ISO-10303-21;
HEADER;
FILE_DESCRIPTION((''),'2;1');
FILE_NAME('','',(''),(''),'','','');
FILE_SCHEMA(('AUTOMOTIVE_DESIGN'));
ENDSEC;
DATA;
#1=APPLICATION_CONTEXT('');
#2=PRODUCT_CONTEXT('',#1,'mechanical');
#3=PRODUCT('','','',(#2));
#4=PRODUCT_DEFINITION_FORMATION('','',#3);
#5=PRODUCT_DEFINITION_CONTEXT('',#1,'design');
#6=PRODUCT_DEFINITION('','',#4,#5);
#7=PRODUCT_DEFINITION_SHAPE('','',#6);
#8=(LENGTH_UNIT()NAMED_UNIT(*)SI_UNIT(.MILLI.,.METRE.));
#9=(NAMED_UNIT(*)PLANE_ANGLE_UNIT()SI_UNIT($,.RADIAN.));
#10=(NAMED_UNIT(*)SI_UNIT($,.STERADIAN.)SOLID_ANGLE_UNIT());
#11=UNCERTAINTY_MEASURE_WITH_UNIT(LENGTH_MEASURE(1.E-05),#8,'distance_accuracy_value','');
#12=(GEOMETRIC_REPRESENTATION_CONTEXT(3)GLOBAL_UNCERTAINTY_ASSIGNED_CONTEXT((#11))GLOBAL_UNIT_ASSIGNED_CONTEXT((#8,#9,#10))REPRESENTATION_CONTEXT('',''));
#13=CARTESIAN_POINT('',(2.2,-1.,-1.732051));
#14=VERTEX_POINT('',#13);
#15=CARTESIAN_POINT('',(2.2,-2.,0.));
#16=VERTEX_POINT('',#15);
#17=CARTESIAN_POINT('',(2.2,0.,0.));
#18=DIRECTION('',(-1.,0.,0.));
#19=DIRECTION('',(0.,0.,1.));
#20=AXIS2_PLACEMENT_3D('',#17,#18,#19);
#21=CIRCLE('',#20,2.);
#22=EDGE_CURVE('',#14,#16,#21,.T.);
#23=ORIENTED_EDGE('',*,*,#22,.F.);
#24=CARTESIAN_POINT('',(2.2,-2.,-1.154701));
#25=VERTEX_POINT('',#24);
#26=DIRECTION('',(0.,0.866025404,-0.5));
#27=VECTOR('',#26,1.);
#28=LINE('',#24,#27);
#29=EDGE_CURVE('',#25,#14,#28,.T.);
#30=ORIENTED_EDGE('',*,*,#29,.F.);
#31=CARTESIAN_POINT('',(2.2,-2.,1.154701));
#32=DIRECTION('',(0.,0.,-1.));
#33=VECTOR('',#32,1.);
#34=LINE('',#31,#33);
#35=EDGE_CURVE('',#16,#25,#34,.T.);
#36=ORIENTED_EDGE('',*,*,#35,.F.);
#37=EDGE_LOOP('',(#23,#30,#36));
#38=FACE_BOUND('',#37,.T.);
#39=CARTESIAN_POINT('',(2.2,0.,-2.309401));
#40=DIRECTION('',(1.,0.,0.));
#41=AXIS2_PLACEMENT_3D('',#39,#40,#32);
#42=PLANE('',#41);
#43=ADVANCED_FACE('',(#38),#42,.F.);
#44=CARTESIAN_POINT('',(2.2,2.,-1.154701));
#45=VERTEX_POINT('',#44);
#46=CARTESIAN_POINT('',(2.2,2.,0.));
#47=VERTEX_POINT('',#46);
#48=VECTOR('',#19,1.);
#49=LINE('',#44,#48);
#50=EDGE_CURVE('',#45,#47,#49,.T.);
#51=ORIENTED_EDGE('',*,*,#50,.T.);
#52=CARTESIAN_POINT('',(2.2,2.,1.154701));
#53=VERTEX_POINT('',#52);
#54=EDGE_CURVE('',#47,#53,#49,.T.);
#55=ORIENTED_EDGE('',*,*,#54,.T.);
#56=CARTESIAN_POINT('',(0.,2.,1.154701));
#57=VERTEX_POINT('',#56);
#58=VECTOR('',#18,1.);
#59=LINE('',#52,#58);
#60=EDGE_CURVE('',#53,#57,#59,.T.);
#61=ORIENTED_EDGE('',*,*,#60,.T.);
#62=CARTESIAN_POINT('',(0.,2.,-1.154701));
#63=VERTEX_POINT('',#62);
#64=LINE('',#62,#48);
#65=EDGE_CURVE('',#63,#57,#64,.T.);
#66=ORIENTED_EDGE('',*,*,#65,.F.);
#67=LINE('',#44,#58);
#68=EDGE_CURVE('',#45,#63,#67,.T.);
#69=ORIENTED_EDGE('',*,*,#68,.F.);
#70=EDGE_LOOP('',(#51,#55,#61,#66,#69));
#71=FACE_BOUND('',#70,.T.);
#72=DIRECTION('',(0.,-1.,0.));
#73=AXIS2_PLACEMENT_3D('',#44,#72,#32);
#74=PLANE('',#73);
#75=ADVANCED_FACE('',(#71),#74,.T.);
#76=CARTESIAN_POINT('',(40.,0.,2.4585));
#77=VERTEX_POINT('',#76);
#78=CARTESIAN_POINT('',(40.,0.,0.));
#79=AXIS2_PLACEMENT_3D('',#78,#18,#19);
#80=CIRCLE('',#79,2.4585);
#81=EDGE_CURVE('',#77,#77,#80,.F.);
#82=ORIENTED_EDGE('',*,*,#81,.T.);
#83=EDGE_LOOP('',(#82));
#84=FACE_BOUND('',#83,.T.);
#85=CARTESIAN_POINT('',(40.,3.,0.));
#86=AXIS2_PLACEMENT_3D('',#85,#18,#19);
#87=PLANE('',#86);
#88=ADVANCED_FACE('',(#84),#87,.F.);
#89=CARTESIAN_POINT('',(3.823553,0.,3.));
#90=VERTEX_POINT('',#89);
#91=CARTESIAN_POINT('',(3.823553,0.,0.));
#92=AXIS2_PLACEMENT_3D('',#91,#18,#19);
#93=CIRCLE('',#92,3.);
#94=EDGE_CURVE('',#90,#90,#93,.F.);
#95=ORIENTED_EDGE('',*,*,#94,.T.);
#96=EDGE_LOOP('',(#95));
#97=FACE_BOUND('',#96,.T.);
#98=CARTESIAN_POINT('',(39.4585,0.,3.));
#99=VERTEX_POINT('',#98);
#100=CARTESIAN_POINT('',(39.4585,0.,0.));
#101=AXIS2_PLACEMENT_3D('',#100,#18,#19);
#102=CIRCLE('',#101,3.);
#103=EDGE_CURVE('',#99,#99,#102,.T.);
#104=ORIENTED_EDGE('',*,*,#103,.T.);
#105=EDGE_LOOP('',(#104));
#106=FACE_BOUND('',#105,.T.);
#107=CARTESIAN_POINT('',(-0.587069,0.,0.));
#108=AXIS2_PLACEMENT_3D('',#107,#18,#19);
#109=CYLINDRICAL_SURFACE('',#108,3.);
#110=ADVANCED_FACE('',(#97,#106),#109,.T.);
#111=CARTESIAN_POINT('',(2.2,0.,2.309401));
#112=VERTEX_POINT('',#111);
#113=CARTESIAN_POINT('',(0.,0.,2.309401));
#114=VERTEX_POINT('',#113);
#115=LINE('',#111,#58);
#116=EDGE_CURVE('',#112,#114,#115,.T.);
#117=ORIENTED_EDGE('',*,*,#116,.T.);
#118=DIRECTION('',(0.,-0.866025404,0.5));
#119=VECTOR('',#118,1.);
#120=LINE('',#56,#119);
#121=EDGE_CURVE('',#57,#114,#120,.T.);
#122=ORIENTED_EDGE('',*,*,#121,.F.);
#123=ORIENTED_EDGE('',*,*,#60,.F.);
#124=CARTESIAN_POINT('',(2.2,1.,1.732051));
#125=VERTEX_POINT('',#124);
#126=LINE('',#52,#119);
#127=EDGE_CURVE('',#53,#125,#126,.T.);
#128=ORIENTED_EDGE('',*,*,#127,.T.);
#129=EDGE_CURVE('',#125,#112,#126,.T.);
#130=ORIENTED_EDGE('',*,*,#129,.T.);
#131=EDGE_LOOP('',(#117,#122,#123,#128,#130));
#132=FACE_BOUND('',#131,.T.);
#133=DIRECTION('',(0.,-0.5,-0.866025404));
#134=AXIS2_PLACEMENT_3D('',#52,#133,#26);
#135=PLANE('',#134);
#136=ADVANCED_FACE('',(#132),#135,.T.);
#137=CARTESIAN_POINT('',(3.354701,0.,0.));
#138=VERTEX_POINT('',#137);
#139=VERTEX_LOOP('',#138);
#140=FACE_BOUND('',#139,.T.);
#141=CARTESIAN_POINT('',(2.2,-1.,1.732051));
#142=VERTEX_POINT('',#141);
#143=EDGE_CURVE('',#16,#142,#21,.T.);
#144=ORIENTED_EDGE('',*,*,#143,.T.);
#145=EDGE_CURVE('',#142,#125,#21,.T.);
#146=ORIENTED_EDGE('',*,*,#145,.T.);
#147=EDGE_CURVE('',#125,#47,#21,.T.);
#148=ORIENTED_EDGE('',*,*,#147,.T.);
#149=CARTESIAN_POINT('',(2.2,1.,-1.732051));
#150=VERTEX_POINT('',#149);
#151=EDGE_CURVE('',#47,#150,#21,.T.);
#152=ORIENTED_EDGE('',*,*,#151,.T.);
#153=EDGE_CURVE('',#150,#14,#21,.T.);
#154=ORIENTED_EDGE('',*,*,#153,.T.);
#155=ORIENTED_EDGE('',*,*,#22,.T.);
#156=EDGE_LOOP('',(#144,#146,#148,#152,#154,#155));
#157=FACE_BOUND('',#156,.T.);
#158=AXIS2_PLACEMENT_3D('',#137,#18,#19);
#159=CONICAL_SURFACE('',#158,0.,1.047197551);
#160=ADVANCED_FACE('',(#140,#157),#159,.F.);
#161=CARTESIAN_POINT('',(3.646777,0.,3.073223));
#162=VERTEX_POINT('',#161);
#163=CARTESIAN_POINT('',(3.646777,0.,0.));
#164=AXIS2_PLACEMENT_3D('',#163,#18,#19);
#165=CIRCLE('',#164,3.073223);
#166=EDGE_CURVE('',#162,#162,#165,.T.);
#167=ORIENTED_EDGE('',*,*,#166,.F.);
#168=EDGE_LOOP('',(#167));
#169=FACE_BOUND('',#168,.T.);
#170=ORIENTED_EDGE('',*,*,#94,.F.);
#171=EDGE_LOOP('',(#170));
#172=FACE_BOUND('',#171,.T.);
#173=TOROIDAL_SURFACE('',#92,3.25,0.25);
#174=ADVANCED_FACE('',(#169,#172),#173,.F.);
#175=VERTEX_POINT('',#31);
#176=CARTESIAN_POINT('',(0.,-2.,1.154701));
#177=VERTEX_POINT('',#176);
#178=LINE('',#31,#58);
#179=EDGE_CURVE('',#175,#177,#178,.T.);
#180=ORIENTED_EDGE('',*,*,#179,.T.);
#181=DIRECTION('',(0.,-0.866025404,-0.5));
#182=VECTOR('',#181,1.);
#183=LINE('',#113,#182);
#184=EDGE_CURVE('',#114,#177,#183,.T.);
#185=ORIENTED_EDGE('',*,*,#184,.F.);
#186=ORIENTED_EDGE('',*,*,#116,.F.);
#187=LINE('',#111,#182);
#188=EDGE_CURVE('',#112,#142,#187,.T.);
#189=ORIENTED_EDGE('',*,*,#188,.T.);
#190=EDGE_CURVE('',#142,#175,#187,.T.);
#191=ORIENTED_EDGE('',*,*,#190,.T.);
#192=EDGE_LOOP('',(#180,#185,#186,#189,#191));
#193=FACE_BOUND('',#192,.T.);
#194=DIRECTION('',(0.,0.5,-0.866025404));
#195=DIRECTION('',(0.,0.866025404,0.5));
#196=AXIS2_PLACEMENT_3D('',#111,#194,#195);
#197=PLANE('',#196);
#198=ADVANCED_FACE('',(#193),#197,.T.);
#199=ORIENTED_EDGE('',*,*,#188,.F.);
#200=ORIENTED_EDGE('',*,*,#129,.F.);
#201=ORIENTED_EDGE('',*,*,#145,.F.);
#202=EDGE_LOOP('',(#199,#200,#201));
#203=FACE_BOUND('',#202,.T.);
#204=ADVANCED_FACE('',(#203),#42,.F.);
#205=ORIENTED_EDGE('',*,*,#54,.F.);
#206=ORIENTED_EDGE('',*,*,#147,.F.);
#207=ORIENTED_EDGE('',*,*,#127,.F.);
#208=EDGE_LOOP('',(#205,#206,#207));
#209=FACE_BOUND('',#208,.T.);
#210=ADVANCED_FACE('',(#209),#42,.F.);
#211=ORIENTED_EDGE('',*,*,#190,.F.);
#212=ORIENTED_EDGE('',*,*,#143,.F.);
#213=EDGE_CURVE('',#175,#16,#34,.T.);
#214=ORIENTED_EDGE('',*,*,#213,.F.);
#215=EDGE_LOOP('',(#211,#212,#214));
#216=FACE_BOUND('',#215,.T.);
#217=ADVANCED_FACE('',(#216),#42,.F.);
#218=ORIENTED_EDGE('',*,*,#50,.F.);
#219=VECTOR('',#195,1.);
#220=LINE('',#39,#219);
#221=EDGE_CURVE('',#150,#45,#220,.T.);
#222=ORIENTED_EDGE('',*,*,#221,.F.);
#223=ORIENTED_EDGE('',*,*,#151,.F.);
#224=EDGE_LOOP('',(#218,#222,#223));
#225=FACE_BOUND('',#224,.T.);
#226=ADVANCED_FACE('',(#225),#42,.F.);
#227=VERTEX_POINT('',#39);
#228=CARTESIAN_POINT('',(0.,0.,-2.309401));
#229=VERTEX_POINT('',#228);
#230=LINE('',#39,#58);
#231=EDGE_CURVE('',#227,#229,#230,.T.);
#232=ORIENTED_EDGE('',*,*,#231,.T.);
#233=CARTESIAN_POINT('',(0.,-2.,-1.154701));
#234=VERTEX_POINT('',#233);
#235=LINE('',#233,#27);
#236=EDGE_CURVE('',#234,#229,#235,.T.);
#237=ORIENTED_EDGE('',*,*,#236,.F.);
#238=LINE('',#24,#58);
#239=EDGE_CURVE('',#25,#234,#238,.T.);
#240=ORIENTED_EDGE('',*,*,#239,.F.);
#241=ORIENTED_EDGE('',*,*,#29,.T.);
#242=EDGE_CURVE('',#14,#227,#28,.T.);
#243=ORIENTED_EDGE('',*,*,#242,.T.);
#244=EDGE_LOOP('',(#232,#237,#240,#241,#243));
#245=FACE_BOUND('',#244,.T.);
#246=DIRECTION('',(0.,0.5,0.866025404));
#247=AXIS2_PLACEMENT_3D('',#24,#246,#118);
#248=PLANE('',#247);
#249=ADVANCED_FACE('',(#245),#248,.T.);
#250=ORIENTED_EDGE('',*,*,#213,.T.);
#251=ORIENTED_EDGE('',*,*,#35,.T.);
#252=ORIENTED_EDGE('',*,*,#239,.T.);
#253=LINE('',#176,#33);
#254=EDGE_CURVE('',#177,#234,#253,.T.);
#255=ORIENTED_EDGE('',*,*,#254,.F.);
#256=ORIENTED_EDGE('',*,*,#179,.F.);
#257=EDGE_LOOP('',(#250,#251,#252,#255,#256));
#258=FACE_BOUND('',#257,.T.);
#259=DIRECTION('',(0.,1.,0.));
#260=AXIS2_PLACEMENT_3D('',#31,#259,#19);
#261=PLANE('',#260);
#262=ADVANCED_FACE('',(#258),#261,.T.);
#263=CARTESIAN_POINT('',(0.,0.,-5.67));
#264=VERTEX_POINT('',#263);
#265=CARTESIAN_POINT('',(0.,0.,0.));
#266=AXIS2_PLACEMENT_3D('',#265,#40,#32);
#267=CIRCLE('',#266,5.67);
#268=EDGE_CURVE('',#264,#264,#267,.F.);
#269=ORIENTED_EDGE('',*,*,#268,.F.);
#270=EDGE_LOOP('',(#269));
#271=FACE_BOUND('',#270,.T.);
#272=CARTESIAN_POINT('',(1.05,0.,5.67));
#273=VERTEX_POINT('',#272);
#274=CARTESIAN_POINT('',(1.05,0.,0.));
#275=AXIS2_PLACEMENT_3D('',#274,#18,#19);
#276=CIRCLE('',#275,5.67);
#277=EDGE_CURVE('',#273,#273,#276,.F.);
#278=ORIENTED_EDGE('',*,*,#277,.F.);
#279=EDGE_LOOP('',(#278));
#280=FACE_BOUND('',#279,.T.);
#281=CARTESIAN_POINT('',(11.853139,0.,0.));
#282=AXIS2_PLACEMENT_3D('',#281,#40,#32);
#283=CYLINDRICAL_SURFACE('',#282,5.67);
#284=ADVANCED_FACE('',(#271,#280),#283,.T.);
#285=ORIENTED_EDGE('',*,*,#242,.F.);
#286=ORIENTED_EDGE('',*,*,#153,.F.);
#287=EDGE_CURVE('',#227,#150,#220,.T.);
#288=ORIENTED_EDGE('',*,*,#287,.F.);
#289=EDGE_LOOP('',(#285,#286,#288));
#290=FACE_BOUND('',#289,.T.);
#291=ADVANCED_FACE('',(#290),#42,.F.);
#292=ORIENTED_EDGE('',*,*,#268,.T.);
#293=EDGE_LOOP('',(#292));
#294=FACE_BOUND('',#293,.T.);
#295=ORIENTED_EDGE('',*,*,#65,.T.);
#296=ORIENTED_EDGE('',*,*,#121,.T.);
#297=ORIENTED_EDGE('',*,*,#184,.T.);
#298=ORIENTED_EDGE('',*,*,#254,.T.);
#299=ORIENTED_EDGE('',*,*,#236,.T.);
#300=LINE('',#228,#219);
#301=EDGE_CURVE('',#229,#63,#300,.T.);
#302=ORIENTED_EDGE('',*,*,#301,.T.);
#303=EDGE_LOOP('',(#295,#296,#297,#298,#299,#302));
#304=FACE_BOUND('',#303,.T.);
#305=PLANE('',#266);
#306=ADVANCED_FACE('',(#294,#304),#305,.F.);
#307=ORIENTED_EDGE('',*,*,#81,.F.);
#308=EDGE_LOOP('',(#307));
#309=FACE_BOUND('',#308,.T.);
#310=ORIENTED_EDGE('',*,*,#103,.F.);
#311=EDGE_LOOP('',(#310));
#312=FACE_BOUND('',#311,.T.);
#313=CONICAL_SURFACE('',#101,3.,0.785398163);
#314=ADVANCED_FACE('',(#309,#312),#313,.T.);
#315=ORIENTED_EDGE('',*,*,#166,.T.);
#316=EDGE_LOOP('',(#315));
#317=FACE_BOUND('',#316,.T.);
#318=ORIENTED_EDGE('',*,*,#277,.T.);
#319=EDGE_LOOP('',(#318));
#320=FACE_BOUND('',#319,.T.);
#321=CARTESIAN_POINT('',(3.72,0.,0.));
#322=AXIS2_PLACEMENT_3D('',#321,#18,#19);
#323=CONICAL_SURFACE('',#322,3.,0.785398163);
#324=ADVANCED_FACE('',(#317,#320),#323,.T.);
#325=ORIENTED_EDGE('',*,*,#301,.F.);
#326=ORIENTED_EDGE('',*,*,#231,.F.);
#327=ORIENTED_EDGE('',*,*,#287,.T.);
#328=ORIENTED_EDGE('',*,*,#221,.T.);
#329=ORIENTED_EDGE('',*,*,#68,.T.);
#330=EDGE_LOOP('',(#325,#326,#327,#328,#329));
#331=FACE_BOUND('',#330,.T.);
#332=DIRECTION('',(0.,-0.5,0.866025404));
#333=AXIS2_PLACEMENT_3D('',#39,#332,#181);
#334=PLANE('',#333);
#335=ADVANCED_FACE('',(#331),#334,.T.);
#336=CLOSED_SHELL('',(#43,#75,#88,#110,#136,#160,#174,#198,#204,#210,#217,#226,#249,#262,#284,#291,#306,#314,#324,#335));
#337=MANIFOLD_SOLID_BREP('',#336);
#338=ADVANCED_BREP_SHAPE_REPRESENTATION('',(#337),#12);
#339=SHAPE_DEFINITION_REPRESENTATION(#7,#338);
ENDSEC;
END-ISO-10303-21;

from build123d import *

# Parameters (mm, degrees)
HEXAGONSOCKET_DEPTH = 2.2
HEADFILLET_R        = 0.25
CHAMFER_2_SIZE      = 0.5415
SKETCH4_W           = 5
SKETCH4_H           = 5


with BuildPart() as part:
    # Sketch1 → Base (revolve)
    with BuildSketch(Plane.XY, mode=Mode.PRIVATE) as base_sk:
        Polygon((0, 0), (0, 6.72), (3.72, 3), (40, 3), (40, 0), align=None)
    revolve(base_sk.sketch.rotate(Axis((-0.587069181, 0, 0), (1, 0, 0)), 90), axis=Axis((-0.587069181, 0, 0), (1, 0, 0)))

    # Sketch2 → HexagonSocket (cut)
    with BuildSketch(Plane(origin=(0, 0, 0), x_dir=(0, 0, -1), z_dir=(1, 0, 0))):
        Polygon((2.309401077, 0), (1.154700538, 2), (-1.154700538, 2), (-2.309401077, 0), (-1.154700538, -2), (1.154700538, -2), align=None)
    extrude(amount=HEXAGONSOCKET_DEPTH, mode=Mode.SUBTRACT)

    # Sketch3 → Cut-Revolve1 (revolve, cut)
    with BuildSketch(Plane.XY, mode=Mode.PRIVATE) as cut_revolve1_sk:
        Polygon((2.2, 2), (3.354700538, 0), (2.2, 0), align=None)
    revolve(cut_revolve1_sk.sketch.rotate(Axis((-0.439109555, 0, 0), (1, 0, 0)), 90), axis=Axis((-0.439109555, 0, 0), (1, 0, 0)), mode=Mode.SUBTRACT)

    # HeadFillet
    headfillet_edges = [part.edges().sort_by_distance(p)[0] for p in [
        (3.72, 0, -3),
    ]]
    fillet(headfillet_edges, radius=HEADFILLET_R)

    # Chamfer 2
    chamfer_2_edges = [part.edges().sort_by_distance(p)[0] for p in [
        (40, 0, -3),
    ]]
    chamfer(chamfer_2_edges, length=CHAMFER_2_SIZE)

    # Sketch4 → Cut-Revolve2 (revolve, cut)
    with BuildSketch(Plane(origin=(0, 0, 0), x_dir=(1, 0, 0), z_dir=(0, 1, 0)), mode=Mode.PRIVATE) as cut_revolve2_sk:
        with Locations((0.5, 8.17)):
            Rectangle(SKETCH4_W, SKETCH4_H)
    revolve(cut_revolve2_sk.sketch.rotate(Axis((11.853138686, 0, 0), (-1, 0, 0)), 180), axis=Axis((11.853138686, 0, 0), (-1, 0, 0)), mode=Mode.SUBTRACT)


solid = part.part
